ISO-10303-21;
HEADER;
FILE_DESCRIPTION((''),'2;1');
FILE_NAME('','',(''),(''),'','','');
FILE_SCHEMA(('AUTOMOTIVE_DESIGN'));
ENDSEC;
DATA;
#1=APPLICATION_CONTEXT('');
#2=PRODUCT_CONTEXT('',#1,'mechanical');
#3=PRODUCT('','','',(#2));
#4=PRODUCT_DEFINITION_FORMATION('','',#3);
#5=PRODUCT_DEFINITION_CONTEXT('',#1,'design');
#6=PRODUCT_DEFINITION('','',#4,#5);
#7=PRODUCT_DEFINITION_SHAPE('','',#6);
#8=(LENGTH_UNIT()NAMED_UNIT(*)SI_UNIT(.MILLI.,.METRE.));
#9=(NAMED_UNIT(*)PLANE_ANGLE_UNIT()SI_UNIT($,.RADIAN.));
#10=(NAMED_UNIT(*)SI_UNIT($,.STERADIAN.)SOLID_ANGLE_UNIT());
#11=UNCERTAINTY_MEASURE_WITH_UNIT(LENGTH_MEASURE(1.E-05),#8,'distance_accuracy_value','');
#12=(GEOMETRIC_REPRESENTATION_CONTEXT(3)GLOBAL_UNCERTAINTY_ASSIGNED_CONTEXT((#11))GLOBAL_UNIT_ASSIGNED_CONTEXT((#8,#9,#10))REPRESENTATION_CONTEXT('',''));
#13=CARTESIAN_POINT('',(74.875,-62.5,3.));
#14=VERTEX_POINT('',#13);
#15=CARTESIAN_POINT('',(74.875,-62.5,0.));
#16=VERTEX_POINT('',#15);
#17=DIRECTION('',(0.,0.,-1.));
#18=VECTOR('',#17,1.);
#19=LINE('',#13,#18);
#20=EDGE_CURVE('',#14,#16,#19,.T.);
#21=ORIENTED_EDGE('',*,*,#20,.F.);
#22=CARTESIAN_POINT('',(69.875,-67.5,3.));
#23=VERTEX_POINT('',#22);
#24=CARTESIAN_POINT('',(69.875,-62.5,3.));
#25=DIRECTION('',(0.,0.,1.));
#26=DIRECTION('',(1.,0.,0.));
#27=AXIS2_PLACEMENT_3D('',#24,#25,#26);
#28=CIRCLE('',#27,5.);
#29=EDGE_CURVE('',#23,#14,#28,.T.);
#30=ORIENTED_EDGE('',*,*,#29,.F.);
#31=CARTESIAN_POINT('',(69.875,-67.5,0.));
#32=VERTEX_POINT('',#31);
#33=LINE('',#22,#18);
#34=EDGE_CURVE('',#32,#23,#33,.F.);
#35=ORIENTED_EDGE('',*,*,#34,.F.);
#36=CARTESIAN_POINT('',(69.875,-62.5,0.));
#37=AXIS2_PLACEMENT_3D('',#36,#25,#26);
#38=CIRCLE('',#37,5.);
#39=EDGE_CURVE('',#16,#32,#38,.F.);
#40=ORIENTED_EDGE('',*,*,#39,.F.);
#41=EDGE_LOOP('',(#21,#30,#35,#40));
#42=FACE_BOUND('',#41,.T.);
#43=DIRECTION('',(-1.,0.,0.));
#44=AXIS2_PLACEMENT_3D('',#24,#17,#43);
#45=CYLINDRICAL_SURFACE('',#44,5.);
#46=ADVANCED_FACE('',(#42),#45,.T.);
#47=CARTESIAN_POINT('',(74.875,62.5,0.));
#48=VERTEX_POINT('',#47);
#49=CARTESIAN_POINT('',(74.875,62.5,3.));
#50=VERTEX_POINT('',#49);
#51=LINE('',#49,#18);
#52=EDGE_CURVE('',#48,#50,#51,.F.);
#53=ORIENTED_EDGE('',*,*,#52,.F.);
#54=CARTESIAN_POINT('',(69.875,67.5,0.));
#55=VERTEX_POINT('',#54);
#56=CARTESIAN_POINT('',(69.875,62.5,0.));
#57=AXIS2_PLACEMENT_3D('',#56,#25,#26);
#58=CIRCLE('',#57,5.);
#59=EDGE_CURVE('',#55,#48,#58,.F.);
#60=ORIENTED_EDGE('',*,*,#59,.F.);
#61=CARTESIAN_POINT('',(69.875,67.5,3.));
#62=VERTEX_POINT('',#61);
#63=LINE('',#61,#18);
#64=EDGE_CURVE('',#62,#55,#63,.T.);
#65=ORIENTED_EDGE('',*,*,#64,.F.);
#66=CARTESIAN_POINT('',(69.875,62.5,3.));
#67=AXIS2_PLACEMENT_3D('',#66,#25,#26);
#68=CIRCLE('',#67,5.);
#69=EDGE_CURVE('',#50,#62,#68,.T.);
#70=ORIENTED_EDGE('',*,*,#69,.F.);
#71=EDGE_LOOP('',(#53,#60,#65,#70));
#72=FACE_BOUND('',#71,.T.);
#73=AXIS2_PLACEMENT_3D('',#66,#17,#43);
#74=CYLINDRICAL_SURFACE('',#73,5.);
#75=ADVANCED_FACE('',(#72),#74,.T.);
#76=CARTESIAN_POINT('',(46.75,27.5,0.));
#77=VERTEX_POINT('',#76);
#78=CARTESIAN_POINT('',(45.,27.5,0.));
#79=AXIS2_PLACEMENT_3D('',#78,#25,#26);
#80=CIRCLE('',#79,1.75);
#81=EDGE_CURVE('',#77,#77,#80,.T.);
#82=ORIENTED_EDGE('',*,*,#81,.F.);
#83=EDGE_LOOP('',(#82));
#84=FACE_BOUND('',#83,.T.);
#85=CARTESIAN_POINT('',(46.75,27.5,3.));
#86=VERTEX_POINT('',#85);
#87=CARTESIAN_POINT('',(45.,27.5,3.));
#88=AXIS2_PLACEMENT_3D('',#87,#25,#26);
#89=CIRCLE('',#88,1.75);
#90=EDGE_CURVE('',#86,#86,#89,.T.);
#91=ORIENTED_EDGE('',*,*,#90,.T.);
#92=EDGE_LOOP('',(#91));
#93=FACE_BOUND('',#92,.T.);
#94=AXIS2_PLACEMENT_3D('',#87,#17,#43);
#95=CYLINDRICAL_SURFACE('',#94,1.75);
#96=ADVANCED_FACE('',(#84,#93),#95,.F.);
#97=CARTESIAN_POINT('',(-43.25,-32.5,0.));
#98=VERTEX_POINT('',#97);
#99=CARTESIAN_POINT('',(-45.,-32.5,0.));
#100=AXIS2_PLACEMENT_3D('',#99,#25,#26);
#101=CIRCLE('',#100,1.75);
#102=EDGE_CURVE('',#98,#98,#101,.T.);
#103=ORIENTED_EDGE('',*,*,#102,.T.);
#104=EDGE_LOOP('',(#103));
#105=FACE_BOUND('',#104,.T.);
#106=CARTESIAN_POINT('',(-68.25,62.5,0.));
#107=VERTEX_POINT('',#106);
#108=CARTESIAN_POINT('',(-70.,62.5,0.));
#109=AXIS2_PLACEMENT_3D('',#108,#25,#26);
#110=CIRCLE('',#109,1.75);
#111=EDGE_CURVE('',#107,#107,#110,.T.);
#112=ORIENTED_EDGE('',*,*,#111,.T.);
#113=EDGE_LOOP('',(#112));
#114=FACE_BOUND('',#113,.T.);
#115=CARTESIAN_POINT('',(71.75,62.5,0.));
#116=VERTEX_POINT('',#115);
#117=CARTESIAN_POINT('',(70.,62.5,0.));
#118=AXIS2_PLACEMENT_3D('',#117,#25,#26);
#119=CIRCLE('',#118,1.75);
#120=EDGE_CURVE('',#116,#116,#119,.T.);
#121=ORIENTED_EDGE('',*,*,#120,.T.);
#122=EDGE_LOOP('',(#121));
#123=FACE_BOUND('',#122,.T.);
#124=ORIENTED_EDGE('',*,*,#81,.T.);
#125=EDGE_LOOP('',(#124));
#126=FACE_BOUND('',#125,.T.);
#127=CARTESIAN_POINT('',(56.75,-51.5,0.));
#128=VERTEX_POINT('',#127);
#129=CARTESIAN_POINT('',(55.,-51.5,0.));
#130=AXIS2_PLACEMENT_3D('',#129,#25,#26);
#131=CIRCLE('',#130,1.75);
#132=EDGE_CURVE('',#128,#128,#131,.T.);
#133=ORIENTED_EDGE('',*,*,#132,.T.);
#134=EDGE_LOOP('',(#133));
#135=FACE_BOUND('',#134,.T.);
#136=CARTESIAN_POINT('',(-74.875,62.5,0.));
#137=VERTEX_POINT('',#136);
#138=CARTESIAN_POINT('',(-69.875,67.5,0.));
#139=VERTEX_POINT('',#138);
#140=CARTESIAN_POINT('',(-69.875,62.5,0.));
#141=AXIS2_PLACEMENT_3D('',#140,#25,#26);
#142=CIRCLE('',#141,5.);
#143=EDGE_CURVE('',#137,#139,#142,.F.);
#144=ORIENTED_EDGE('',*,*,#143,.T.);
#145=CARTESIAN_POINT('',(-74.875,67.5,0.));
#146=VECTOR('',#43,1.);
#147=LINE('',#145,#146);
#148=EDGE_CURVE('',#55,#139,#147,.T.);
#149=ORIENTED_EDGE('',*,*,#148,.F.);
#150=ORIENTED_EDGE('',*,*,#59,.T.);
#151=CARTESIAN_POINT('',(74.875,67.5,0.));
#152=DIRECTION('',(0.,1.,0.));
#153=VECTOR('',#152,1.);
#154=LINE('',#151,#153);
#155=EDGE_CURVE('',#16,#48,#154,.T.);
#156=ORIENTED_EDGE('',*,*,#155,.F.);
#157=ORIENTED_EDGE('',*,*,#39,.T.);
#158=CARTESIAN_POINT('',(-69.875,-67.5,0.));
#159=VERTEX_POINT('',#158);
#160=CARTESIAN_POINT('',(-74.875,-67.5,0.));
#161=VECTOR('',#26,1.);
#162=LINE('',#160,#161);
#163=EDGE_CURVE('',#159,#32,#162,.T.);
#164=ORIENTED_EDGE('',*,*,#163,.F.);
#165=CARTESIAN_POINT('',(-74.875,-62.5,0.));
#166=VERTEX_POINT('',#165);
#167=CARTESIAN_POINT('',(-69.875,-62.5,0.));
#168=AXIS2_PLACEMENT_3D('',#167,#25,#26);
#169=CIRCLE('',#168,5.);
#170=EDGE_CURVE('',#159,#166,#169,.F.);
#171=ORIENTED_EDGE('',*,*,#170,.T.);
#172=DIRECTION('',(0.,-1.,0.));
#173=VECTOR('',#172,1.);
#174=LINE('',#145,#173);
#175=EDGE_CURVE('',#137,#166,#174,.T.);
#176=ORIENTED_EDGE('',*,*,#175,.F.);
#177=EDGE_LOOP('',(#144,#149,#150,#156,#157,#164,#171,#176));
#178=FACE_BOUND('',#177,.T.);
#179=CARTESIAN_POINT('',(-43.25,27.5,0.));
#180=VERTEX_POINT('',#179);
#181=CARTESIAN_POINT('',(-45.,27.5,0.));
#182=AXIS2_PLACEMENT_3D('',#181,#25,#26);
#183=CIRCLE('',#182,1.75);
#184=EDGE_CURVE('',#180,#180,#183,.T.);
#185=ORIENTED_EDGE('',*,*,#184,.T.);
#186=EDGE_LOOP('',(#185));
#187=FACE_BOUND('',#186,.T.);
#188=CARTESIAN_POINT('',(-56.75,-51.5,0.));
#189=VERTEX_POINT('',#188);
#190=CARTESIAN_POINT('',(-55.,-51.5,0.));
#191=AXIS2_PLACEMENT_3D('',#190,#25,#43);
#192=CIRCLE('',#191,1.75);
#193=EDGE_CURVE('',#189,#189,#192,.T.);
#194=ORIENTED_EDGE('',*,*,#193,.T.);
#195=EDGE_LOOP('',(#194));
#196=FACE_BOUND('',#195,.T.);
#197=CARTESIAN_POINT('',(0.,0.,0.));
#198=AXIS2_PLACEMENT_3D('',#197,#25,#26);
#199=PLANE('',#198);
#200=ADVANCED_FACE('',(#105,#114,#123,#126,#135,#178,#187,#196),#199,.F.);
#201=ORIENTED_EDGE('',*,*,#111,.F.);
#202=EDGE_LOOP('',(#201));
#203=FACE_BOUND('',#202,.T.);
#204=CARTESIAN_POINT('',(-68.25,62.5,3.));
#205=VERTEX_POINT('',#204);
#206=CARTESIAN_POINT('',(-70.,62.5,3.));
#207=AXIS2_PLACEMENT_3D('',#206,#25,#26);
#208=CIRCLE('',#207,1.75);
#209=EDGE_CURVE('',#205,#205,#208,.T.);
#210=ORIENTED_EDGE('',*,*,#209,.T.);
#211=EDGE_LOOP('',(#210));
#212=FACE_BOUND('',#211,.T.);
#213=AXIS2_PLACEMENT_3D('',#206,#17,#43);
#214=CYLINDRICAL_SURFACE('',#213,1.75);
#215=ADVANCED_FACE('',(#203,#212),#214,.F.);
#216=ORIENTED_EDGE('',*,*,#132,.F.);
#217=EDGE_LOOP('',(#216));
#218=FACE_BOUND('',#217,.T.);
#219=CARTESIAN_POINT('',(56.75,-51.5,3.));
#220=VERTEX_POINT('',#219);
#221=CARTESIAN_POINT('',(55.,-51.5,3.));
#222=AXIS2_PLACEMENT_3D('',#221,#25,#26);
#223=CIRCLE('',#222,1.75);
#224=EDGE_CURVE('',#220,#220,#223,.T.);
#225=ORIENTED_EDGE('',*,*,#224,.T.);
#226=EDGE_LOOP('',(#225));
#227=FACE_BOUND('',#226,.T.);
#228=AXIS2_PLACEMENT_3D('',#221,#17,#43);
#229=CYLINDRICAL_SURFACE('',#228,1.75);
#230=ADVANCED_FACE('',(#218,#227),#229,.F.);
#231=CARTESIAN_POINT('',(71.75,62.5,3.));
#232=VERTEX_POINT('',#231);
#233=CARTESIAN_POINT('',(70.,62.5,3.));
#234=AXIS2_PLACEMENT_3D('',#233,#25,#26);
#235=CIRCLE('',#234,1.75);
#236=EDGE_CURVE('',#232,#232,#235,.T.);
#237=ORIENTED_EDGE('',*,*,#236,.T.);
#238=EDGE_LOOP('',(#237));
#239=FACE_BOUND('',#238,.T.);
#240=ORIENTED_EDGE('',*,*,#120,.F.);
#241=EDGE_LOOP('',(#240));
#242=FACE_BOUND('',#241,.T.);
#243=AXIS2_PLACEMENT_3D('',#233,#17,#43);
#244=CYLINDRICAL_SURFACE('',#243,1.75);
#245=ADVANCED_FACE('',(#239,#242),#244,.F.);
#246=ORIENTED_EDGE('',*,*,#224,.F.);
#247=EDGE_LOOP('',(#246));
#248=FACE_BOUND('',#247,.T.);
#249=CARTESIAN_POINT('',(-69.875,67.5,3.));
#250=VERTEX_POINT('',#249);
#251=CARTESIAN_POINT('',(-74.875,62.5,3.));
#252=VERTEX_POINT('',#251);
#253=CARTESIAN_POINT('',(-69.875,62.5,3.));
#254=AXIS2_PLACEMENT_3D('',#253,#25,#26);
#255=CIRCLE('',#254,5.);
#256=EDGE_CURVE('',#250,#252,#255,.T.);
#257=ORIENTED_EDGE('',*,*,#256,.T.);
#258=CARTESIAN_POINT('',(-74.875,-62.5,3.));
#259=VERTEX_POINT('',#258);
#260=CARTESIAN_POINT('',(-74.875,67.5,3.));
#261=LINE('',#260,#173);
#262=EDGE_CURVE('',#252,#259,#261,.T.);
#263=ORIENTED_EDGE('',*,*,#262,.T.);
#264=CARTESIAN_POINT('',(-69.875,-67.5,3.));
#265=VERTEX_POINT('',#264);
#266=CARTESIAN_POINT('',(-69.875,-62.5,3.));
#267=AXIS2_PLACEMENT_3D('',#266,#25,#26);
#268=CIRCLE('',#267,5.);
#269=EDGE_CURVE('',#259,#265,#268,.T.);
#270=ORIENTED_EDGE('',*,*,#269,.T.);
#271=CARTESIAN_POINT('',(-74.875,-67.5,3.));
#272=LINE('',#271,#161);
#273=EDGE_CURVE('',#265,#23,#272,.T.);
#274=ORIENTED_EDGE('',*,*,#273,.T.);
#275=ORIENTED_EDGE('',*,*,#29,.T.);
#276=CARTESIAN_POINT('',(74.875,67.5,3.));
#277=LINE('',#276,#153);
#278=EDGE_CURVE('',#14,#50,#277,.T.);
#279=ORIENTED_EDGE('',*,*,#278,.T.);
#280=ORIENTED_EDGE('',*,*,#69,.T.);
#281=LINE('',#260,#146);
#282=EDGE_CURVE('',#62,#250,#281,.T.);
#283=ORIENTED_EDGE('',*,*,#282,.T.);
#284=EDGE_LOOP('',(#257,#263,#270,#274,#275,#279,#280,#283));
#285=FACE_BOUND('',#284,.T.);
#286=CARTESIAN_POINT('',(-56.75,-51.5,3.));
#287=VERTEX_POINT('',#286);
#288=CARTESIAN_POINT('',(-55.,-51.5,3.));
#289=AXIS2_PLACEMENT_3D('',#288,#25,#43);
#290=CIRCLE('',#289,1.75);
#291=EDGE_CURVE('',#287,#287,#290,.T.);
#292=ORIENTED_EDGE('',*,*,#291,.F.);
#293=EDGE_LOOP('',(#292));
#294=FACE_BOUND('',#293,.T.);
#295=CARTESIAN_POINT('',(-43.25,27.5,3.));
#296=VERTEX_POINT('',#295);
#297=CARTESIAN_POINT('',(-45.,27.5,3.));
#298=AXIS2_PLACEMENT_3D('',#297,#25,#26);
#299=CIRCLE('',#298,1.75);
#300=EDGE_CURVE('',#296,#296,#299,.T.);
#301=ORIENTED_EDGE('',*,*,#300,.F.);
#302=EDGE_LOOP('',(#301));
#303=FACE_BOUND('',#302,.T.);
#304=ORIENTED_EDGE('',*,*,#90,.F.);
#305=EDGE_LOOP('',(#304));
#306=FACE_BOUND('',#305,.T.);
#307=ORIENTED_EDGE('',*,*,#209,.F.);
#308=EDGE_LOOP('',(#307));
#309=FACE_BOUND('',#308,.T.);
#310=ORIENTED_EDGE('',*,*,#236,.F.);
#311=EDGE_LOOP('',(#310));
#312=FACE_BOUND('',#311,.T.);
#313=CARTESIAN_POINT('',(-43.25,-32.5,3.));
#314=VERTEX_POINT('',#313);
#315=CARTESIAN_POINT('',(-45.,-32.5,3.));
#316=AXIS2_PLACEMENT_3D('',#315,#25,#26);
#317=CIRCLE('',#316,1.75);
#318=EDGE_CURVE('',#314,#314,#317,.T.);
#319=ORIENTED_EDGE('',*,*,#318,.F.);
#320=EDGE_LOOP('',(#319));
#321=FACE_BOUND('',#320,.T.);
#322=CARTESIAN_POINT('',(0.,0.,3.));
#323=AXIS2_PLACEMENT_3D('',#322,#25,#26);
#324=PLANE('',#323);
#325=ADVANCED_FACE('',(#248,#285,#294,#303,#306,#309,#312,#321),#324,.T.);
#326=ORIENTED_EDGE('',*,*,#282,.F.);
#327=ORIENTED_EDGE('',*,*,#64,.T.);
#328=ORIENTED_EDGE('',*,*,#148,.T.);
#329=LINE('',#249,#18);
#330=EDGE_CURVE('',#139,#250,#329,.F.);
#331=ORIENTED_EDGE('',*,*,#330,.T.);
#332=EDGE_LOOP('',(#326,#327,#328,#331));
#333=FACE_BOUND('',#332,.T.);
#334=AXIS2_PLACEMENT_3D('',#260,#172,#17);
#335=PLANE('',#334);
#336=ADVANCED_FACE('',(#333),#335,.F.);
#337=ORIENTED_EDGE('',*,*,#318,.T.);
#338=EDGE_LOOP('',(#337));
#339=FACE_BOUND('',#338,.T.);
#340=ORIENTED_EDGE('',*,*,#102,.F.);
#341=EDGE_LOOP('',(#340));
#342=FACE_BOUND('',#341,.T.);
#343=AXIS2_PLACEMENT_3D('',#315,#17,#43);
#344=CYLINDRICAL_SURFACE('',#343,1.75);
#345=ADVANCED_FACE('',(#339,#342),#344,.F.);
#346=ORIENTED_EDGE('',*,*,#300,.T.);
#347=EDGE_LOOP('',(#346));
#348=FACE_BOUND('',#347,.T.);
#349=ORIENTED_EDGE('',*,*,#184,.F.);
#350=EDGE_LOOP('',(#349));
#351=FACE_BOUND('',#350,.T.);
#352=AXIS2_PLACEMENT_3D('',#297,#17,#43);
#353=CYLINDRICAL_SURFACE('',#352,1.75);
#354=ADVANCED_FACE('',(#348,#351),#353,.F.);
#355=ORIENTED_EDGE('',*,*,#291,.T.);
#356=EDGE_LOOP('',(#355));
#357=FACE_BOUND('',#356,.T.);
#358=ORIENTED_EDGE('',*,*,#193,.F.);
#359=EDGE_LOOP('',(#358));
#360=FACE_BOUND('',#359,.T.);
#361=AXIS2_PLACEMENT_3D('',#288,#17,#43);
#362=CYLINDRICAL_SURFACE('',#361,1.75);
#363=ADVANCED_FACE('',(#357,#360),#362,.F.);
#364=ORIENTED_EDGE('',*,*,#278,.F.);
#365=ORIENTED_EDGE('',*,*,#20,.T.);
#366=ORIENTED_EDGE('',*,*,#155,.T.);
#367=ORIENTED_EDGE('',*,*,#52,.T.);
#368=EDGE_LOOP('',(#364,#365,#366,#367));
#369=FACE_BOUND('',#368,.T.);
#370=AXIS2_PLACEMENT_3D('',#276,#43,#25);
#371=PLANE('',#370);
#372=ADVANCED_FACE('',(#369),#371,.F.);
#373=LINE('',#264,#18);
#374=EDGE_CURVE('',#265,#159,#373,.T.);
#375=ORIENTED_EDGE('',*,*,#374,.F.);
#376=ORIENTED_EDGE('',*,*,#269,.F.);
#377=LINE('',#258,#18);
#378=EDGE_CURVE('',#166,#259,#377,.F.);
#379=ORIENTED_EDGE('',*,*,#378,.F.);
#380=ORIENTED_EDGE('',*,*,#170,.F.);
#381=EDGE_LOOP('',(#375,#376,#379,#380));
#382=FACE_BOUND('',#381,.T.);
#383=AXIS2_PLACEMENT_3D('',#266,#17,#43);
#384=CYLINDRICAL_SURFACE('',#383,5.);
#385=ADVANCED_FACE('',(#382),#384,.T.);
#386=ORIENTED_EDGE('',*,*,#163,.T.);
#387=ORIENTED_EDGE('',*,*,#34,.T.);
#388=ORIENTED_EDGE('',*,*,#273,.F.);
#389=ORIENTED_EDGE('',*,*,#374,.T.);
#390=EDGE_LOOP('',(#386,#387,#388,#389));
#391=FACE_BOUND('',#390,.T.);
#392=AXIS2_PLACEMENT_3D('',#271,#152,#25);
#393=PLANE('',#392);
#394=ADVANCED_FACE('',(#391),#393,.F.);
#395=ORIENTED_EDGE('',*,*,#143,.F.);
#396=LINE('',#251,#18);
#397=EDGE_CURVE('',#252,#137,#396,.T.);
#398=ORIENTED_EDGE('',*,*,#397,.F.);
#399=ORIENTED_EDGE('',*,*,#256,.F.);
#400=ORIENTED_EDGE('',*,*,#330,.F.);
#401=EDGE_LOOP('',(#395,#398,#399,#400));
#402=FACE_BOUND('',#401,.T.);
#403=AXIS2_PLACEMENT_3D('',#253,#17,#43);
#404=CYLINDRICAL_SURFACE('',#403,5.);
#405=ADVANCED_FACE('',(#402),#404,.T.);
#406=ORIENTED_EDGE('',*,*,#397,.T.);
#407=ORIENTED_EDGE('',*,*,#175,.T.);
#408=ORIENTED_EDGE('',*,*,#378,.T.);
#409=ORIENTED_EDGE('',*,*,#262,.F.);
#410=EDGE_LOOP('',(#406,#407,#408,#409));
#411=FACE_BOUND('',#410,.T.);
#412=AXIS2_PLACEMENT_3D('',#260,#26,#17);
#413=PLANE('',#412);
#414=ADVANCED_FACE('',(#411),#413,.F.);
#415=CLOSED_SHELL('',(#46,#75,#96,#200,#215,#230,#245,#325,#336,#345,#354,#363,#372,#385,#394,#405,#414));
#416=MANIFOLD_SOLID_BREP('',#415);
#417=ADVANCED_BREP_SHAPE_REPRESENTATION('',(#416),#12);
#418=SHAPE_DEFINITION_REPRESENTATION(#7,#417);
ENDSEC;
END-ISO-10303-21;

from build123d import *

# Parameters (mm, degrees)
ESQUISSE1_W        = 149.75
ESQUISSE1_H        = 135
ESQUISSE1_R        = 1.75
BOSS_EXTRU_1_DEPTH = 3
CONG_1_R           = 5


with BuildPart() as part:
    # Esquisse1 → Boss.-Extru.1 (new body)
    with BuildSketch(Plane.XY):
        Rectangle(ESQUISSE1_W, ESQUISSE1_H)
        with Locations((-70, 62.5)):
            Circle(ESQUISSE1_R, mode=Mode.SUBTRACT)
        with Locations((70, 62.5)):
            Circle(ESQUISSE1_R, mode=Mode.SUBTRACT)
        with Locations((55, -51.5)):
            Circle(ESQUISSE1_R, mode=Mode.SUBTRACT)
        with Locations((-55, -51.5)):
            Circle(ESQUISSE1_R, mode=Mode.SUBTRACT)
        with Locations((45, 27.5)):
            Circle(ESQUISSE1_R, mode=Mode.SUBTRACT)
        with Locations((-45, 27.5)):
            Circle(ESQUISSE1_R, mode=Mode.SUBTRACT)
        with Locations((-45, -32.5)):
            Circle(ESQUISSE1_R, mode=Mode.SUBTRACT)
    extrude(amount=BOSS_EXTRU_1_DEPTH)

    # Congé1
    cong_1_edges = [part.edges().sort_by_distance(p)[0] for p in [
        (-74.875, 67.5, 1.5),
        (74.875, 67.5, 1.5),
        (74.875, -67.5, 1.5),
        (-74.875, -67.5, 1.5),
    ]]
    fillet(cong_1_edges, radius=CONG_1_R)


solid = part.part
